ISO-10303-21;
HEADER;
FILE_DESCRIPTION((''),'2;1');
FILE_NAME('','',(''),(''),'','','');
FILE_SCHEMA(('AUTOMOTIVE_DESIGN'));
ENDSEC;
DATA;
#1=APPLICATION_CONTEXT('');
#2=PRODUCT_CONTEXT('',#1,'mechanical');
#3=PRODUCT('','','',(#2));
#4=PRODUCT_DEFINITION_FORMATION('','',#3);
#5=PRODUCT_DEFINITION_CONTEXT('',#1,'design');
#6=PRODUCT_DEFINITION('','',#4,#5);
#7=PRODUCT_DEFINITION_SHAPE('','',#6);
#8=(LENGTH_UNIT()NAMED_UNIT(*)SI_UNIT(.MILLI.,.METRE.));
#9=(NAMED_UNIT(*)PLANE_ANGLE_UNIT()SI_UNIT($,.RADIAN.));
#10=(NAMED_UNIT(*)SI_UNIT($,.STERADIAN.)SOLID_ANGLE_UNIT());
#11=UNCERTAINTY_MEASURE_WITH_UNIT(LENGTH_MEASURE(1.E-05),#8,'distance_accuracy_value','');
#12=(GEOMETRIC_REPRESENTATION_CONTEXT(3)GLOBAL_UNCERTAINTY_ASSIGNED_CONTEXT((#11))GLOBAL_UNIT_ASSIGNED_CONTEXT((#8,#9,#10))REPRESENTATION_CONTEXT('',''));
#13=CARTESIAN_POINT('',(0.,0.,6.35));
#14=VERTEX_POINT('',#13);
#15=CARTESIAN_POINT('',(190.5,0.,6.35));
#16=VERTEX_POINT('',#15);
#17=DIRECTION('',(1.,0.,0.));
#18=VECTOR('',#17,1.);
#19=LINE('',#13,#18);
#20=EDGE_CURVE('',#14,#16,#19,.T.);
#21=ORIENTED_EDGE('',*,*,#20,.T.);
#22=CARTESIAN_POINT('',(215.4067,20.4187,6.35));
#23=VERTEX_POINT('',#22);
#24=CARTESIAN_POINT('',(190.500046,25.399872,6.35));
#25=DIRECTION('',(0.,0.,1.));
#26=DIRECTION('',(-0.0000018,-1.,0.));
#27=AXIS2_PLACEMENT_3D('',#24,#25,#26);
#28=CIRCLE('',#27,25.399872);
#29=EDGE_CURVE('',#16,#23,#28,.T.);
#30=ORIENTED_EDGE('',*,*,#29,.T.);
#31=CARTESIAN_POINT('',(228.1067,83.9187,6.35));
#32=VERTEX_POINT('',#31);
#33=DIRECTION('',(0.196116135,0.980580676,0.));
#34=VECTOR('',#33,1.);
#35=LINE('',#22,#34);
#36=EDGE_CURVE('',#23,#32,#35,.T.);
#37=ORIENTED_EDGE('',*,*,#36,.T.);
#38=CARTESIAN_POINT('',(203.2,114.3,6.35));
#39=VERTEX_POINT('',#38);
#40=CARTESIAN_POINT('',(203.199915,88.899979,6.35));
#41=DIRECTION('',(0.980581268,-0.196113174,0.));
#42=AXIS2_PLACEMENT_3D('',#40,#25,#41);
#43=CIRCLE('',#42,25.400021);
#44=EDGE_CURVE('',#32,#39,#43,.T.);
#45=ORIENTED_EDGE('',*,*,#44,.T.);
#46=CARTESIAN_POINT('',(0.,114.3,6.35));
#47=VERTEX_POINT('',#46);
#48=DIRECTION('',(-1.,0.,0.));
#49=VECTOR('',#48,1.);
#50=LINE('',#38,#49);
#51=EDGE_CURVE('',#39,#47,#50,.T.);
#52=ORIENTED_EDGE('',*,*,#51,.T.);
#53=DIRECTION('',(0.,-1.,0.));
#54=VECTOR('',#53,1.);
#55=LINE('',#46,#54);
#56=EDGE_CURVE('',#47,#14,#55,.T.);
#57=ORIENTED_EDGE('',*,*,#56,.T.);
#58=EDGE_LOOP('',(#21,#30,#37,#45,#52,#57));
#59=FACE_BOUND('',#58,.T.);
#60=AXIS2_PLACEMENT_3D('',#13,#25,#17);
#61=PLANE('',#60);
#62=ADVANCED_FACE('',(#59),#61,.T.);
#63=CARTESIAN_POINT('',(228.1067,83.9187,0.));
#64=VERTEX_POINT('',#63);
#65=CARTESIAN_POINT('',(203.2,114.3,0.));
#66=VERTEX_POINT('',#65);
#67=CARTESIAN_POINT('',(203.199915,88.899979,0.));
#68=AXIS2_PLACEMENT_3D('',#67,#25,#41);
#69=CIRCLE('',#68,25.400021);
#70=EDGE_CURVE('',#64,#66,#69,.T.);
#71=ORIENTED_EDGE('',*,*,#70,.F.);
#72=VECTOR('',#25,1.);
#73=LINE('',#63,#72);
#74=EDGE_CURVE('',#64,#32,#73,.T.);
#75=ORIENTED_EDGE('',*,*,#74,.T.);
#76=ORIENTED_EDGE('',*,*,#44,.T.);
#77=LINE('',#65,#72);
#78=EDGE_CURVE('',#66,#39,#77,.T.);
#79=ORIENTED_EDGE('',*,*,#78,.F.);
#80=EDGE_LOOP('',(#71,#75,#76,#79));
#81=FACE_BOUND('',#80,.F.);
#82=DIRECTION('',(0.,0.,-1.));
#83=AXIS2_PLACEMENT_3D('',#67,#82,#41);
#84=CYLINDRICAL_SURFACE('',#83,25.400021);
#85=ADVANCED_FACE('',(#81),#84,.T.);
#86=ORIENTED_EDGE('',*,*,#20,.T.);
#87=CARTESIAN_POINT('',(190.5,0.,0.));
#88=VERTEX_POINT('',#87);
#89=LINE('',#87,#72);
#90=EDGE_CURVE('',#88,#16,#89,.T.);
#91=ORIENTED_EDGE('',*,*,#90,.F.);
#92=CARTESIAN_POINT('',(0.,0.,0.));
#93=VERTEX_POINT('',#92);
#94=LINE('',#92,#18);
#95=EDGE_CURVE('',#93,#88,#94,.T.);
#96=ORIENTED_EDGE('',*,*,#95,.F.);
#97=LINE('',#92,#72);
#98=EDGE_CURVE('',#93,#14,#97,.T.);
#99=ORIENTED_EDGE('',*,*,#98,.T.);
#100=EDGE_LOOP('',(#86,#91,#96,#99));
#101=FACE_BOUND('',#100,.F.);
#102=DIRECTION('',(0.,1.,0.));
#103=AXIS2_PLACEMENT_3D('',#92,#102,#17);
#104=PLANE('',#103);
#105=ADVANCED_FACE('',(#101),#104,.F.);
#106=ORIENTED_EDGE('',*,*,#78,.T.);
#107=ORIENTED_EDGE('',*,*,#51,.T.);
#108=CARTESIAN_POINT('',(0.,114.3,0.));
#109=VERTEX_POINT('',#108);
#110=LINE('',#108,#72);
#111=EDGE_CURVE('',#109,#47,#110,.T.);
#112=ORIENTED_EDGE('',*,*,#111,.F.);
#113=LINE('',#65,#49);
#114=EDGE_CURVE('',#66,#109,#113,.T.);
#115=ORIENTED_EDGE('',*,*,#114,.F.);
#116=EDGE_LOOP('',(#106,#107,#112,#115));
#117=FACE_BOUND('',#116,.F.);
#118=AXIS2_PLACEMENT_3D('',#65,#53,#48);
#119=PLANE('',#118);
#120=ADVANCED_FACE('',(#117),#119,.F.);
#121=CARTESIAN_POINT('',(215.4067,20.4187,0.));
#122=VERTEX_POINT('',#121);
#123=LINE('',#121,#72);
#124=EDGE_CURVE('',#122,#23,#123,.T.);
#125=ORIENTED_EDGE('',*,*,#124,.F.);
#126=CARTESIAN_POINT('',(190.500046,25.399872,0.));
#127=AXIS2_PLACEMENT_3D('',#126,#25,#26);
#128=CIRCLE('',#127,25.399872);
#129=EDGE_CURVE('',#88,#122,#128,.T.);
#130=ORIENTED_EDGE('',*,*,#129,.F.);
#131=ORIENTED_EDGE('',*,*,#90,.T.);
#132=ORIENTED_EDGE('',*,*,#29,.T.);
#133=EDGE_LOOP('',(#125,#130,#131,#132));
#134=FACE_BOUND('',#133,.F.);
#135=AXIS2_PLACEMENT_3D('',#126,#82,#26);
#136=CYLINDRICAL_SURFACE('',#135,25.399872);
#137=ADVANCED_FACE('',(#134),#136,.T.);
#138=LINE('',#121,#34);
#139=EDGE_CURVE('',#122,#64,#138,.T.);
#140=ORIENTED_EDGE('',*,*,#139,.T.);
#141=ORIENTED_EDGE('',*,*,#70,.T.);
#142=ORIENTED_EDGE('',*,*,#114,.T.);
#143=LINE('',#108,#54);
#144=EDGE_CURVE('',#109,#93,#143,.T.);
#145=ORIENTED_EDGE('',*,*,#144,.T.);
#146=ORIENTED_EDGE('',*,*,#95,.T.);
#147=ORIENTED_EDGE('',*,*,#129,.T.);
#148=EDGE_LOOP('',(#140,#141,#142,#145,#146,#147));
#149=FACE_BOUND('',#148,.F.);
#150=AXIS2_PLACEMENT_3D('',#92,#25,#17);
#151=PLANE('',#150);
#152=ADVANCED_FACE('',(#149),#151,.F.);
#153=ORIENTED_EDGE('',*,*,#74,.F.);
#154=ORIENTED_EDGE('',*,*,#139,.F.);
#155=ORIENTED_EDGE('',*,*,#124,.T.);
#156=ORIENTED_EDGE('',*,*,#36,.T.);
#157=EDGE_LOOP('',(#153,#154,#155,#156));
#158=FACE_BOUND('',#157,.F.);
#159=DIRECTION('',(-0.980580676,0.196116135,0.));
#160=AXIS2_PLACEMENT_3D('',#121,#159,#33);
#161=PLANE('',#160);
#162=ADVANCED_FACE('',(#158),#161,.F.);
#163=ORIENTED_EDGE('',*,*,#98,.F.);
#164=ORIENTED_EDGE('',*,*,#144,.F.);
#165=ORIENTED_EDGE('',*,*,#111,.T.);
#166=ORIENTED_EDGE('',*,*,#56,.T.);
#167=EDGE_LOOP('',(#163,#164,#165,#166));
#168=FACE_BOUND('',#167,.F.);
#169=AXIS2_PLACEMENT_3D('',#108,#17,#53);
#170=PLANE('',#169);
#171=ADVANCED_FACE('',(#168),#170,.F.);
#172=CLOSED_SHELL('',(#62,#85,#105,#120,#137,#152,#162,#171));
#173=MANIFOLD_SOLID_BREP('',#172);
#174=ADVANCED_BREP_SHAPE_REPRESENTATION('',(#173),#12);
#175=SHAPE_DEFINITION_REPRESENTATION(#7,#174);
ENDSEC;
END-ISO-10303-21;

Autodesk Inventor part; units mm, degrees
ref_plane "YZ Plane" through (0, 0, 0) normal (1, 0, 0) x (0, 1, 0)
ref_plane "XZ Plane" through (0, 0, 0) normal (0, 1, 0) x (-1, 0, 0)
ref_plane "XY Plane" through (0, 0, 0) normal (0, 0, 1) x (1, 0, 0)
sketch "Sketch1" plane through (0, 0, 0) normal (0, 0, 1) x (1, 0, 0)
  line L0 (0, 0) -> (190.5, 0)
  arc A0 (190.5, 0) -> (215.4067, 20.4187) centre (190.5, 25.4) ccw
  line L1 (215.4067, 20.4187) -> (228.1067, 83.9187)
  arc A1 (228.1067, 83.9187) -> (203.2, 114.3) centre (203.2, 88.9) ccw
  line L2 (203.2, 114.3) -> (0, 114.3)
  line L3 (0, 114.3) -> (0, 0)
  dimension "d4" = 25.4
  dimension "d5" = 25.4
  dimension "d6" = 228.6
  dimension "d9" = 114.3
extrude "Extrusion1" add sketch "Sketch1" along normal blind 6.35
properties part number "ImprintPart1"
